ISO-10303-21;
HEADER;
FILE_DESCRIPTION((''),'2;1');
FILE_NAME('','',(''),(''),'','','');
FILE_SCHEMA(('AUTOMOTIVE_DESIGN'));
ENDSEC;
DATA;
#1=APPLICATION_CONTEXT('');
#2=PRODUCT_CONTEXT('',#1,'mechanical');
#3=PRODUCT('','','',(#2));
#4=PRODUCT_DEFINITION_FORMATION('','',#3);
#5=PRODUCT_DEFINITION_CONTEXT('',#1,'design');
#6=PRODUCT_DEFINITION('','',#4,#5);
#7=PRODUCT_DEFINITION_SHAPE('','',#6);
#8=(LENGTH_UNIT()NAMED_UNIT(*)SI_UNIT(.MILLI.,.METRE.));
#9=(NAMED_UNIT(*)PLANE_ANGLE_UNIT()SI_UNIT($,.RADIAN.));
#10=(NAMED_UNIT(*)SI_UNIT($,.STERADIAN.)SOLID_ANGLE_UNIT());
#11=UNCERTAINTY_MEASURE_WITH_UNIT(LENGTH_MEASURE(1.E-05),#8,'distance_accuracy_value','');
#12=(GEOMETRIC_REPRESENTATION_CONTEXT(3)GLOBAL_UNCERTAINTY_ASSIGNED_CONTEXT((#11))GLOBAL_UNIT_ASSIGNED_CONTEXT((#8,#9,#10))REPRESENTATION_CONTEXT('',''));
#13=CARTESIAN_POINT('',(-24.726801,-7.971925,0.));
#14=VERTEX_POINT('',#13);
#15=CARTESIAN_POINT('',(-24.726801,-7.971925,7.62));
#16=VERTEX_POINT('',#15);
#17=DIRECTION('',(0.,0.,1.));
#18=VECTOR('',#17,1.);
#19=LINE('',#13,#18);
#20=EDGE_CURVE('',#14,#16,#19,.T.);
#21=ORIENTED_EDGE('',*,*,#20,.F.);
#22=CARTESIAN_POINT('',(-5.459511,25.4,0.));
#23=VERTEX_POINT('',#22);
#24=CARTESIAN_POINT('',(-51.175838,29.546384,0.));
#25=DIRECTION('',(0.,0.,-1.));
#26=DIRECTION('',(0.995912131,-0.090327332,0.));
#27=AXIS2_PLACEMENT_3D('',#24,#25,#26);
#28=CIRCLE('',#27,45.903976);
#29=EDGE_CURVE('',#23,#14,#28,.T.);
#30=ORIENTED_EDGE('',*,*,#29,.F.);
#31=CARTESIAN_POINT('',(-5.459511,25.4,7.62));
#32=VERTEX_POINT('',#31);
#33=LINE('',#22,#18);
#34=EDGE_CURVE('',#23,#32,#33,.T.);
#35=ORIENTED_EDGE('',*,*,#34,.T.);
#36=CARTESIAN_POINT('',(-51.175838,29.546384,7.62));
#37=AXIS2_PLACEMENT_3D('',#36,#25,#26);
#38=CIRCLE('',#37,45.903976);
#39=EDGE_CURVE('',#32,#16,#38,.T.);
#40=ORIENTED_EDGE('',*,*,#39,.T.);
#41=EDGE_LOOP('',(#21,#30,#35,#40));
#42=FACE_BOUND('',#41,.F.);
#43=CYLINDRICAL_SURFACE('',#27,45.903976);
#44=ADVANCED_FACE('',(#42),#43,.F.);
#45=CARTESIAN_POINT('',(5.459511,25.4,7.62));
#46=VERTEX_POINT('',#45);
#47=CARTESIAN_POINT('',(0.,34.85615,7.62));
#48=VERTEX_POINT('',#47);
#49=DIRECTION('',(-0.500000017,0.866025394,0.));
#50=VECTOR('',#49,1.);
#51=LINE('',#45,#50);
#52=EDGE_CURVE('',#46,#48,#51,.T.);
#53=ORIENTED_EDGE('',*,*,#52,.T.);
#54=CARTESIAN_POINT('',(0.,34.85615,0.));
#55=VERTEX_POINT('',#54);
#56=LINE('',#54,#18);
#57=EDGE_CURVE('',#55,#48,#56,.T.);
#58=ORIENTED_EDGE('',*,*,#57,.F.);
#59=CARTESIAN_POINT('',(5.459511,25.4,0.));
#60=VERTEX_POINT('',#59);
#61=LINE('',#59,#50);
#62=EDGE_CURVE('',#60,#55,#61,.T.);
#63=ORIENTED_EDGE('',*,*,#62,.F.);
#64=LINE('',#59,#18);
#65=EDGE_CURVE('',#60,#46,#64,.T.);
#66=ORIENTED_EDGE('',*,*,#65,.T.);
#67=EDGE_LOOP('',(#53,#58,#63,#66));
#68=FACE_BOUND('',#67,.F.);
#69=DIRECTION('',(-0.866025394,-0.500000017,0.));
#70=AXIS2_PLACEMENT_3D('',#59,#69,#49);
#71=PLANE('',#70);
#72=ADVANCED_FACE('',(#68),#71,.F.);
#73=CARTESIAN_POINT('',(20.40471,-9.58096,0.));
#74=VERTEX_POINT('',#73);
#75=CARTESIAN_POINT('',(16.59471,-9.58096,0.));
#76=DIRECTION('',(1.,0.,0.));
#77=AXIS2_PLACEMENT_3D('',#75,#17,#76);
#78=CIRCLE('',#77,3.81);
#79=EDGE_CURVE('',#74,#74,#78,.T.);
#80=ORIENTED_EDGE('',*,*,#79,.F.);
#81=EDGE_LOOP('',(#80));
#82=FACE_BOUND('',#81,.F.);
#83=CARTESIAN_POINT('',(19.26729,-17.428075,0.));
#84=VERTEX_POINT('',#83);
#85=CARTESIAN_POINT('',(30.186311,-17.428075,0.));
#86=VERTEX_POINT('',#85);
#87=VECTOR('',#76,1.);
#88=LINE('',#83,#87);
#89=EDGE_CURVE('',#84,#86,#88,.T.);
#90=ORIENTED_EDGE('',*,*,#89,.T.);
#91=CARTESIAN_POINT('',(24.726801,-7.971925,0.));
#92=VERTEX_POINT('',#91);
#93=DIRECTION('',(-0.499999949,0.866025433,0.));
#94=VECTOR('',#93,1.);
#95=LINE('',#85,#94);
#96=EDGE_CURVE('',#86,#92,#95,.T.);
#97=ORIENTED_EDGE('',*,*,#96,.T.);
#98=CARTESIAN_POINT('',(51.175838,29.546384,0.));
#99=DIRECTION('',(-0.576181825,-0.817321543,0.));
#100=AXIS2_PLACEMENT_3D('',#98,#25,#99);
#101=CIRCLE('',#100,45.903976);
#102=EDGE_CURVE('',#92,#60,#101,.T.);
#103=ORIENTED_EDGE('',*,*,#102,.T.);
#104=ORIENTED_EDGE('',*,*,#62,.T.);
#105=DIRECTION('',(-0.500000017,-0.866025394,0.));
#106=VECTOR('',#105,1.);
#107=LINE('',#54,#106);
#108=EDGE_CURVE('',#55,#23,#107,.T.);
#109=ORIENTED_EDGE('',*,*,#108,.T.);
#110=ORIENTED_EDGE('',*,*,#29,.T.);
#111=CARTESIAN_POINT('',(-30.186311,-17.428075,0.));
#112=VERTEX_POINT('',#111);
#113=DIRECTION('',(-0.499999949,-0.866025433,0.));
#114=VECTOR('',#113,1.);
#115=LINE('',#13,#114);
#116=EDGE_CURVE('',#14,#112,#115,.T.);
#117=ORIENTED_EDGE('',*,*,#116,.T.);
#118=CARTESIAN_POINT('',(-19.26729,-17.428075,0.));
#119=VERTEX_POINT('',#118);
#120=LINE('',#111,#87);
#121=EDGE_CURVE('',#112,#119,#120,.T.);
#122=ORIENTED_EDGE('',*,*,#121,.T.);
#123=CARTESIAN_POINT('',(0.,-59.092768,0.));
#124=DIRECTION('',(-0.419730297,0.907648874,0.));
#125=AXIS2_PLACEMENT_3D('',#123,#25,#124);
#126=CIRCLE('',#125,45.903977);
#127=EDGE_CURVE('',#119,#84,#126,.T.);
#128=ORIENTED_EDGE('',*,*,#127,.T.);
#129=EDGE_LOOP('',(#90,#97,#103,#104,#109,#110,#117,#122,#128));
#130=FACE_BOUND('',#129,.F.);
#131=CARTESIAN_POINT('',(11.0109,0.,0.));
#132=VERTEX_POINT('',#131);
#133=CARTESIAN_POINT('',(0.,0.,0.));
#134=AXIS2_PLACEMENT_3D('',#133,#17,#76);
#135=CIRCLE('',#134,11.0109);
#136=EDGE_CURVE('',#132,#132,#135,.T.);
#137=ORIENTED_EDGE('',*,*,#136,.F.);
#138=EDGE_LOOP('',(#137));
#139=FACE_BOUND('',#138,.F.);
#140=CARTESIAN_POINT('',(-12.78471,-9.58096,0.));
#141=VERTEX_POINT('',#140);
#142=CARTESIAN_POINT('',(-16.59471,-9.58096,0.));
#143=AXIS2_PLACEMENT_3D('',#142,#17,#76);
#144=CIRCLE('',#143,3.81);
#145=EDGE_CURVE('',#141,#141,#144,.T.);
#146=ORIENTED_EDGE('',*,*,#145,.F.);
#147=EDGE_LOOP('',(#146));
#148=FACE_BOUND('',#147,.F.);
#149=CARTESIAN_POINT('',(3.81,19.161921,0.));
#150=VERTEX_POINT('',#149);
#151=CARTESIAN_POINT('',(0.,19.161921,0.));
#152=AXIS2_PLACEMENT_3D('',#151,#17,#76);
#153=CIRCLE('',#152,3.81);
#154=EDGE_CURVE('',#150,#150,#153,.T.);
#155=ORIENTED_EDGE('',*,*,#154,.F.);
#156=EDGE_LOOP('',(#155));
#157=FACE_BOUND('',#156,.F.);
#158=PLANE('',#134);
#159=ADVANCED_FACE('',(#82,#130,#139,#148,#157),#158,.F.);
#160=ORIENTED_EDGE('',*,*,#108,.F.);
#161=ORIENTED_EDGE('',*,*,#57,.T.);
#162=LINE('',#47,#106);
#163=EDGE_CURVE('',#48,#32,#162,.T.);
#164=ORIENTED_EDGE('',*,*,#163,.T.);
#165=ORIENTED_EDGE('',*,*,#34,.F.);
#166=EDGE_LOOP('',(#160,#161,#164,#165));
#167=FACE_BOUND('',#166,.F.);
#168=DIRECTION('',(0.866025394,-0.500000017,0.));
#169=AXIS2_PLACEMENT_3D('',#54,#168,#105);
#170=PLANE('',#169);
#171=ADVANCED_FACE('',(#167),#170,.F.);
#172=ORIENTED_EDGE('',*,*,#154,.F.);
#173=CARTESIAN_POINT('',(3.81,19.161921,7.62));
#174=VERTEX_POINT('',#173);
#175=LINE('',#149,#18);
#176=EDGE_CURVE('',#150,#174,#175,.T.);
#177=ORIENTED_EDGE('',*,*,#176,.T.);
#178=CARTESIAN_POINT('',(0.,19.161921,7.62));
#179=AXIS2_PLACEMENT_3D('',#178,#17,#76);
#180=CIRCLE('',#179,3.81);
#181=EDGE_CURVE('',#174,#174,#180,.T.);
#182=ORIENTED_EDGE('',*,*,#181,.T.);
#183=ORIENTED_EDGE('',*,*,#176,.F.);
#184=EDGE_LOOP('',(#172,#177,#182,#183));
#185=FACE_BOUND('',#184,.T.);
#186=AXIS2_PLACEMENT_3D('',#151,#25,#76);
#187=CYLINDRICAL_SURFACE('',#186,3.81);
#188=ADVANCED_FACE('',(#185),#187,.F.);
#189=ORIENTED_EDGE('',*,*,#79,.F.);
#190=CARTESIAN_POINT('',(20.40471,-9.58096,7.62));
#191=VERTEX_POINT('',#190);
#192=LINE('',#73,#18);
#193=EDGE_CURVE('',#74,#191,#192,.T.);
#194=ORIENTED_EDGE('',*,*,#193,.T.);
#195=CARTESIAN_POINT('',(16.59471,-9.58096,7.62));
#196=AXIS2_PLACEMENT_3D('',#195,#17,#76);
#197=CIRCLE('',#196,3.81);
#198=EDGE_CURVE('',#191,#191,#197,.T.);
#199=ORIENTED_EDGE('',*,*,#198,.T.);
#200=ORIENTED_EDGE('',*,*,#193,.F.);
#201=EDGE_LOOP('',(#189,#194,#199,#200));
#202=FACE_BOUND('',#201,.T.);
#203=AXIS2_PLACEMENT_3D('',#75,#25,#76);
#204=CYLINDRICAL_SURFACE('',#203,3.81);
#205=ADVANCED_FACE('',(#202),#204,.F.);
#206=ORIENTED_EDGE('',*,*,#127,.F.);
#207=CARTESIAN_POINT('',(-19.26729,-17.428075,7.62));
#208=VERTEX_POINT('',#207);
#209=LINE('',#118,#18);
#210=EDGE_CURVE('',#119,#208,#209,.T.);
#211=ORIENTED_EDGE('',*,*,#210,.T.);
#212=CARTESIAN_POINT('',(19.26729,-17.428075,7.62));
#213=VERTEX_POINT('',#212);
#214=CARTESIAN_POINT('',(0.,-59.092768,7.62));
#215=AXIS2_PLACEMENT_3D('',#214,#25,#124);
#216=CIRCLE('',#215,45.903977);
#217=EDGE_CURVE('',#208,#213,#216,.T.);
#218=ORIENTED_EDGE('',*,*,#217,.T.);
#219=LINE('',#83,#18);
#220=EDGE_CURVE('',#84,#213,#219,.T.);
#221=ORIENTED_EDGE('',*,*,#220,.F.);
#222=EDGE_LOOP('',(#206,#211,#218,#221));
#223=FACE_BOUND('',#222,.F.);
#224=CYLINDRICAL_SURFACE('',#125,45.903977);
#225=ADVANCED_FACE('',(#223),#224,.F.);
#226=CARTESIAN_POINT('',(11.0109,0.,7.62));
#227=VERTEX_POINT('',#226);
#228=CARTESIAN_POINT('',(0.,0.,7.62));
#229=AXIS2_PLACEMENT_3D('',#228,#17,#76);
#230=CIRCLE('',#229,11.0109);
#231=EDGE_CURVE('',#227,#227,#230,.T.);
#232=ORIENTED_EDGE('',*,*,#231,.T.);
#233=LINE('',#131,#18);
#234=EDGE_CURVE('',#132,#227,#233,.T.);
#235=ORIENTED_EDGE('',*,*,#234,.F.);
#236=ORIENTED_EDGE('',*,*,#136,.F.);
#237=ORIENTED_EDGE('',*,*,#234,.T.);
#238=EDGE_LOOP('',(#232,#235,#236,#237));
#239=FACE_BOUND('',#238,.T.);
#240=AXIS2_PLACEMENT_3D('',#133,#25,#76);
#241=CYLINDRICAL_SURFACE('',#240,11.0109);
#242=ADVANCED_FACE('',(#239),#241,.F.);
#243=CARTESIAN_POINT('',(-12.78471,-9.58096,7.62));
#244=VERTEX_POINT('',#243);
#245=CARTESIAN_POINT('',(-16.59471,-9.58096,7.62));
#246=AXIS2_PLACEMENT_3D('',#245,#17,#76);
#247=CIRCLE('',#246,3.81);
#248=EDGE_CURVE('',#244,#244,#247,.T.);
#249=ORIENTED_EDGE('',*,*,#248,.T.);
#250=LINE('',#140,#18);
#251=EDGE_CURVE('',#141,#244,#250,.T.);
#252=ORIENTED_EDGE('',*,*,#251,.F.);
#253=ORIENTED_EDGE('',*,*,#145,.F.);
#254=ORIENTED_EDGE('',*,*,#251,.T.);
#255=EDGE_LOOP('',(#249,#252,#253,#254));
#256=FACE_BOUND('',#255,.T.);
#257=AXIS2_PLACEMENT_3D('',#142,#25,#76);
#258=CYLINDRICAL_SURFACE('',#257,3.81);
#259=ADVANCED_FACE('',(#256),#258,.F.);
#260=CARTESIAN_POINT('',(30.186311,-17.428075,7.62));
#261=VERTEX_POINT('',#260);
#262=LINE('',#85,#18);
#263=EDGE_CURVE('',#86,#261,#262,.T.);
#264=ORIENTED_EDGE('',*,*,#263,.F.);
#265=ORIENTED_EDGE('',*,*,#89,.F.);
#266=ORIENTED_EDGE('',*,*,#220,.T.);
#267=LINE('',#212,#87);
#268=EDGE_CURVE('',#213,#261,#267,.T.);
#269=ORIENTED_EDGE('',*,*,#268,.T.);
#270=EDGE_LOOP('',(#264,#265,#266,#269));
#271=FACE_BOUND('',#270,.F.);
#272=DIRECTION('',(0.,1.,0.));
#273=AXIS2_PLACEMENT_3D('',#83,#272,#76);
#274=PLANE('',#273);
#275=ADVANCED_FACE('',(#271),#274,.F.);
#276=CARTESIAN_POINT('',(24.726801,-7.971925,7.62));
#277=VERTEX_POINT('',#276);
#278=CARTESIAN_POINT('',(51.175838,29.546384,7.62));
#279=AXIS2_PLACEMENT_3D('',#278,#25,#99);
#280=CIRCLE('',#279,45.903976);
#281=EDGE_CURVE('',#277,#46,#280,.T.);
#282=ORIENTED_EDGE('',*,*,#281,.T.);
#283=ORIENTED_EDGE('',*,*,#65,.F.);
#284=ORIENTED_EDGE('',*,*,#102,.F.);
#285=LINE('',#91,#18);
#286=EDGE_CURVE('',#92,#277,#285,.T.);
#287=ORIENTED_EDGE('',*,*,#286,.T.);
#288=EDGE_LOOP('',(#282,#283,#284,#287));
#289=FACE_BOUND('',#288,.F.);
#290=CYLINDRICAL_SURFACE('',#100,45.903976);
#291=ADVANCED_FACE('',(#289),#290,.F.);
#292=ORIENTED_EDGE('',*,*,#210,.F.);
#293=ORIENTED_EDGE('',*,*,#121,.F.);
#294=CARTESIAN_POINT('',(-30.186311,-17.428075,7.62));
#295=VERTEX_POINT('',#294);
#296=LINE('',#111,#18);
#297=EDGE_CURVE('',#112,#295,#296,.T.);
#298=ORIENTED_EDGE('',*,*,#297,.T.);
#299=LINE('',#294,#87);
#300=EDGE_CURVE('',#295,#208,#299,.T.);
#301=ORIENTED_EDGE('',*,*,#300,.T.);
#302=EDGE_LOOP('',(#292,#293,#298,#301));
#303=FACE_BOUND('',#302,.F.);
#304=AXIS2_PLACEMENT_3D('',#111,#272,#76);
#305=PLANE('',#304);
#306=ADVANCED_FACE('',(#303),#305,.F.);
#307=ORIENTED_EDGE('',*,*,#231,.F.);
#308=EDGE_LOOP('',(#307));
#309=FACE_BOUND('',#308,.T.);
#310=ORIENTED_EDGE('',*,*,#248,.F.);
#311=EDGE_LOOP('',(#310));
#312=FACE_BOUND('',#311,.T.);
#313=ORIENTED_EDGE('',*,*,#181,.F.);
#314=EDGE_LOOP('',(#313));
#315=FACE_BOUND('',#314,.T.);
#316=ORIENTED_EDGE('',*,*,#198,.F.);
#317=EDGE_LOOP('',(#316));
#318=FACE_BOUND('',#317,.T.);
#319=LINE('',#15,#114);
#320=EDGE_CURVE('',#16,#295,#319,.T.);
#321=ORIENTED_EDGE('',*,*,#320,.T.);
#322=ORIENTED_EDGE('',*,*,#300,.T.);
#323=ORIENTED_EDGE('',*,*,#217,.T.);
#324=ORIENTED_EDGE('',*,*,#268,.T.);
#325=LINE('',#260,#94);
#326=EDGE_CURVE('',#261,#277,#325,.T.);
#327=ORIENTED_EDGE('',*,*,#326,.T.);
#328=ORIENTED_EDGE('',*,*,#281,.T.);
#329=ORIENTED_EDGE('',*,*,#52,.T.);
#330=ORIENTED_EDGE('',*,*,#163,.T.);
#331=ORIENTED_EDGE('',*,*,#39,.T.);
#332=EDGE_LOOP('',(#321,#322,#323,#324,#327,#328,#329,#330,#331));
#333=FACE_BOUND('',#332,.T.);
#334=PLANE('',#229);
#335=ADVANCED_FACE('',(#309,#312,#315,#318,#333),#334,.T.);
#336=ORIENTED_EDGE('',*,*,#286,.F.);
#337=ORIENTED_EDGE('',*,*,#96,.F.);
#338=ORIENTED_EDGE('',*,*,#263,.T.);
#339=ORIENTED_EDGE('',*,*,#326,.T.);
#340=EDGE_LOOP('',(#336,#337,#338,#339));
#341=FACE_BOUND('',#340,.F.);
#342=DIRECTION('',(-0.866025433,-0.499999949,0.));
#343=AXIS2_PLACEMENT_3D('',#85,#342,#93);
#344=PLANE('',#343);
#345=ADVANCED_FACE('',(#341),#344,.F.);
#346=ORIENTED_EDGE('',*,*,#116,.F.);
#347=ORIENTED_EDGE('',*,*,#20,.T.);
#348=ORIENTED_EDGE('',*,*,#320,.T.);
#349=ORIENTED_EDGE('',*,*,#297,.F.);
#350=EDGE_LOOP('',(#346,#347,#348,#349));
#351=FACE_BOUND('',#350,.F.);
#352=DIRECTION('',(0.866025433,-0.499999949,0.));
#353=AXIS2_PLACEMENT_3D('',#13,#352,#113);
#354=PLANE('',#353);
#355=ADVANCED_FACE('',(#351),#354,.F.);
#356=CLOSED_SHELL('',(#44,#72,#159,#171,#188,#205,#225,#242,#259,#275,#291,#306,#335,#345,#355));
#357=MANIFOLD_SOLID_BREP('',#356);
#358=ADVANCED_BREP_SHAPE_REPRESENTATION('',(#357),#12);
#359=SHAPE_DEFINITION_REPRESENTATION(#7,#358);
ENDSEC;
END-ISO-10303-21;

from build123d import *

# Parameters (mm, degrees)
F0_R     = 3.81
F0_R_2   = 11.0109
F1_DEPTH = 7.62


with BuildPart() as f1:
    # F0 (on Top) → F1 (new body)
    with BuildSketch(Plane.XY):
        with BuildLine():
            Line((5.459511, 25.4), (0, 34.85615))
            Line((0, 34.85615), (-5.459511, 25.4))
            ThreePointArc((-5.459511, 25.4), (-11.421828, 6.594396), (-24.726801, -7.971925))
            Line((-24.726801, -7.971925), (-30.186311, -17.428075))
            Line((-30.186311, -17.428075), (-19.26729, -17.428075))
            ThreePointArc((-19.26729, -17.428075), (0, -13.188791), (19.26729, -17.428075))
            Line((19.26729, -17.428075), (30.186311, -17.428075))
            Line((30.186311, -17.428075), (24.726801, -7.971925))
            ThreePointArc((24.726801, -7.971925), (11.421828, 6.594396), (5.459511, 25.4))
        make_face()
        with Locations((-16.59471, -9.58096)):
            Circle(F0_R, mode=Mode.SUBTRACT)
        with Locations((16.59471, -9.58096)):
            Circle(F0_R, mode=Mode.SUBTRACT)
        Circle(F0_R_2, mode=Mode.SUBTRACT)
        with Locations((0, 19.161921)):
            Circle(F0_R, mode=Mode.SUBTRACT)
    extrude(amount=F1_DEPTH)


solid = f1.part
